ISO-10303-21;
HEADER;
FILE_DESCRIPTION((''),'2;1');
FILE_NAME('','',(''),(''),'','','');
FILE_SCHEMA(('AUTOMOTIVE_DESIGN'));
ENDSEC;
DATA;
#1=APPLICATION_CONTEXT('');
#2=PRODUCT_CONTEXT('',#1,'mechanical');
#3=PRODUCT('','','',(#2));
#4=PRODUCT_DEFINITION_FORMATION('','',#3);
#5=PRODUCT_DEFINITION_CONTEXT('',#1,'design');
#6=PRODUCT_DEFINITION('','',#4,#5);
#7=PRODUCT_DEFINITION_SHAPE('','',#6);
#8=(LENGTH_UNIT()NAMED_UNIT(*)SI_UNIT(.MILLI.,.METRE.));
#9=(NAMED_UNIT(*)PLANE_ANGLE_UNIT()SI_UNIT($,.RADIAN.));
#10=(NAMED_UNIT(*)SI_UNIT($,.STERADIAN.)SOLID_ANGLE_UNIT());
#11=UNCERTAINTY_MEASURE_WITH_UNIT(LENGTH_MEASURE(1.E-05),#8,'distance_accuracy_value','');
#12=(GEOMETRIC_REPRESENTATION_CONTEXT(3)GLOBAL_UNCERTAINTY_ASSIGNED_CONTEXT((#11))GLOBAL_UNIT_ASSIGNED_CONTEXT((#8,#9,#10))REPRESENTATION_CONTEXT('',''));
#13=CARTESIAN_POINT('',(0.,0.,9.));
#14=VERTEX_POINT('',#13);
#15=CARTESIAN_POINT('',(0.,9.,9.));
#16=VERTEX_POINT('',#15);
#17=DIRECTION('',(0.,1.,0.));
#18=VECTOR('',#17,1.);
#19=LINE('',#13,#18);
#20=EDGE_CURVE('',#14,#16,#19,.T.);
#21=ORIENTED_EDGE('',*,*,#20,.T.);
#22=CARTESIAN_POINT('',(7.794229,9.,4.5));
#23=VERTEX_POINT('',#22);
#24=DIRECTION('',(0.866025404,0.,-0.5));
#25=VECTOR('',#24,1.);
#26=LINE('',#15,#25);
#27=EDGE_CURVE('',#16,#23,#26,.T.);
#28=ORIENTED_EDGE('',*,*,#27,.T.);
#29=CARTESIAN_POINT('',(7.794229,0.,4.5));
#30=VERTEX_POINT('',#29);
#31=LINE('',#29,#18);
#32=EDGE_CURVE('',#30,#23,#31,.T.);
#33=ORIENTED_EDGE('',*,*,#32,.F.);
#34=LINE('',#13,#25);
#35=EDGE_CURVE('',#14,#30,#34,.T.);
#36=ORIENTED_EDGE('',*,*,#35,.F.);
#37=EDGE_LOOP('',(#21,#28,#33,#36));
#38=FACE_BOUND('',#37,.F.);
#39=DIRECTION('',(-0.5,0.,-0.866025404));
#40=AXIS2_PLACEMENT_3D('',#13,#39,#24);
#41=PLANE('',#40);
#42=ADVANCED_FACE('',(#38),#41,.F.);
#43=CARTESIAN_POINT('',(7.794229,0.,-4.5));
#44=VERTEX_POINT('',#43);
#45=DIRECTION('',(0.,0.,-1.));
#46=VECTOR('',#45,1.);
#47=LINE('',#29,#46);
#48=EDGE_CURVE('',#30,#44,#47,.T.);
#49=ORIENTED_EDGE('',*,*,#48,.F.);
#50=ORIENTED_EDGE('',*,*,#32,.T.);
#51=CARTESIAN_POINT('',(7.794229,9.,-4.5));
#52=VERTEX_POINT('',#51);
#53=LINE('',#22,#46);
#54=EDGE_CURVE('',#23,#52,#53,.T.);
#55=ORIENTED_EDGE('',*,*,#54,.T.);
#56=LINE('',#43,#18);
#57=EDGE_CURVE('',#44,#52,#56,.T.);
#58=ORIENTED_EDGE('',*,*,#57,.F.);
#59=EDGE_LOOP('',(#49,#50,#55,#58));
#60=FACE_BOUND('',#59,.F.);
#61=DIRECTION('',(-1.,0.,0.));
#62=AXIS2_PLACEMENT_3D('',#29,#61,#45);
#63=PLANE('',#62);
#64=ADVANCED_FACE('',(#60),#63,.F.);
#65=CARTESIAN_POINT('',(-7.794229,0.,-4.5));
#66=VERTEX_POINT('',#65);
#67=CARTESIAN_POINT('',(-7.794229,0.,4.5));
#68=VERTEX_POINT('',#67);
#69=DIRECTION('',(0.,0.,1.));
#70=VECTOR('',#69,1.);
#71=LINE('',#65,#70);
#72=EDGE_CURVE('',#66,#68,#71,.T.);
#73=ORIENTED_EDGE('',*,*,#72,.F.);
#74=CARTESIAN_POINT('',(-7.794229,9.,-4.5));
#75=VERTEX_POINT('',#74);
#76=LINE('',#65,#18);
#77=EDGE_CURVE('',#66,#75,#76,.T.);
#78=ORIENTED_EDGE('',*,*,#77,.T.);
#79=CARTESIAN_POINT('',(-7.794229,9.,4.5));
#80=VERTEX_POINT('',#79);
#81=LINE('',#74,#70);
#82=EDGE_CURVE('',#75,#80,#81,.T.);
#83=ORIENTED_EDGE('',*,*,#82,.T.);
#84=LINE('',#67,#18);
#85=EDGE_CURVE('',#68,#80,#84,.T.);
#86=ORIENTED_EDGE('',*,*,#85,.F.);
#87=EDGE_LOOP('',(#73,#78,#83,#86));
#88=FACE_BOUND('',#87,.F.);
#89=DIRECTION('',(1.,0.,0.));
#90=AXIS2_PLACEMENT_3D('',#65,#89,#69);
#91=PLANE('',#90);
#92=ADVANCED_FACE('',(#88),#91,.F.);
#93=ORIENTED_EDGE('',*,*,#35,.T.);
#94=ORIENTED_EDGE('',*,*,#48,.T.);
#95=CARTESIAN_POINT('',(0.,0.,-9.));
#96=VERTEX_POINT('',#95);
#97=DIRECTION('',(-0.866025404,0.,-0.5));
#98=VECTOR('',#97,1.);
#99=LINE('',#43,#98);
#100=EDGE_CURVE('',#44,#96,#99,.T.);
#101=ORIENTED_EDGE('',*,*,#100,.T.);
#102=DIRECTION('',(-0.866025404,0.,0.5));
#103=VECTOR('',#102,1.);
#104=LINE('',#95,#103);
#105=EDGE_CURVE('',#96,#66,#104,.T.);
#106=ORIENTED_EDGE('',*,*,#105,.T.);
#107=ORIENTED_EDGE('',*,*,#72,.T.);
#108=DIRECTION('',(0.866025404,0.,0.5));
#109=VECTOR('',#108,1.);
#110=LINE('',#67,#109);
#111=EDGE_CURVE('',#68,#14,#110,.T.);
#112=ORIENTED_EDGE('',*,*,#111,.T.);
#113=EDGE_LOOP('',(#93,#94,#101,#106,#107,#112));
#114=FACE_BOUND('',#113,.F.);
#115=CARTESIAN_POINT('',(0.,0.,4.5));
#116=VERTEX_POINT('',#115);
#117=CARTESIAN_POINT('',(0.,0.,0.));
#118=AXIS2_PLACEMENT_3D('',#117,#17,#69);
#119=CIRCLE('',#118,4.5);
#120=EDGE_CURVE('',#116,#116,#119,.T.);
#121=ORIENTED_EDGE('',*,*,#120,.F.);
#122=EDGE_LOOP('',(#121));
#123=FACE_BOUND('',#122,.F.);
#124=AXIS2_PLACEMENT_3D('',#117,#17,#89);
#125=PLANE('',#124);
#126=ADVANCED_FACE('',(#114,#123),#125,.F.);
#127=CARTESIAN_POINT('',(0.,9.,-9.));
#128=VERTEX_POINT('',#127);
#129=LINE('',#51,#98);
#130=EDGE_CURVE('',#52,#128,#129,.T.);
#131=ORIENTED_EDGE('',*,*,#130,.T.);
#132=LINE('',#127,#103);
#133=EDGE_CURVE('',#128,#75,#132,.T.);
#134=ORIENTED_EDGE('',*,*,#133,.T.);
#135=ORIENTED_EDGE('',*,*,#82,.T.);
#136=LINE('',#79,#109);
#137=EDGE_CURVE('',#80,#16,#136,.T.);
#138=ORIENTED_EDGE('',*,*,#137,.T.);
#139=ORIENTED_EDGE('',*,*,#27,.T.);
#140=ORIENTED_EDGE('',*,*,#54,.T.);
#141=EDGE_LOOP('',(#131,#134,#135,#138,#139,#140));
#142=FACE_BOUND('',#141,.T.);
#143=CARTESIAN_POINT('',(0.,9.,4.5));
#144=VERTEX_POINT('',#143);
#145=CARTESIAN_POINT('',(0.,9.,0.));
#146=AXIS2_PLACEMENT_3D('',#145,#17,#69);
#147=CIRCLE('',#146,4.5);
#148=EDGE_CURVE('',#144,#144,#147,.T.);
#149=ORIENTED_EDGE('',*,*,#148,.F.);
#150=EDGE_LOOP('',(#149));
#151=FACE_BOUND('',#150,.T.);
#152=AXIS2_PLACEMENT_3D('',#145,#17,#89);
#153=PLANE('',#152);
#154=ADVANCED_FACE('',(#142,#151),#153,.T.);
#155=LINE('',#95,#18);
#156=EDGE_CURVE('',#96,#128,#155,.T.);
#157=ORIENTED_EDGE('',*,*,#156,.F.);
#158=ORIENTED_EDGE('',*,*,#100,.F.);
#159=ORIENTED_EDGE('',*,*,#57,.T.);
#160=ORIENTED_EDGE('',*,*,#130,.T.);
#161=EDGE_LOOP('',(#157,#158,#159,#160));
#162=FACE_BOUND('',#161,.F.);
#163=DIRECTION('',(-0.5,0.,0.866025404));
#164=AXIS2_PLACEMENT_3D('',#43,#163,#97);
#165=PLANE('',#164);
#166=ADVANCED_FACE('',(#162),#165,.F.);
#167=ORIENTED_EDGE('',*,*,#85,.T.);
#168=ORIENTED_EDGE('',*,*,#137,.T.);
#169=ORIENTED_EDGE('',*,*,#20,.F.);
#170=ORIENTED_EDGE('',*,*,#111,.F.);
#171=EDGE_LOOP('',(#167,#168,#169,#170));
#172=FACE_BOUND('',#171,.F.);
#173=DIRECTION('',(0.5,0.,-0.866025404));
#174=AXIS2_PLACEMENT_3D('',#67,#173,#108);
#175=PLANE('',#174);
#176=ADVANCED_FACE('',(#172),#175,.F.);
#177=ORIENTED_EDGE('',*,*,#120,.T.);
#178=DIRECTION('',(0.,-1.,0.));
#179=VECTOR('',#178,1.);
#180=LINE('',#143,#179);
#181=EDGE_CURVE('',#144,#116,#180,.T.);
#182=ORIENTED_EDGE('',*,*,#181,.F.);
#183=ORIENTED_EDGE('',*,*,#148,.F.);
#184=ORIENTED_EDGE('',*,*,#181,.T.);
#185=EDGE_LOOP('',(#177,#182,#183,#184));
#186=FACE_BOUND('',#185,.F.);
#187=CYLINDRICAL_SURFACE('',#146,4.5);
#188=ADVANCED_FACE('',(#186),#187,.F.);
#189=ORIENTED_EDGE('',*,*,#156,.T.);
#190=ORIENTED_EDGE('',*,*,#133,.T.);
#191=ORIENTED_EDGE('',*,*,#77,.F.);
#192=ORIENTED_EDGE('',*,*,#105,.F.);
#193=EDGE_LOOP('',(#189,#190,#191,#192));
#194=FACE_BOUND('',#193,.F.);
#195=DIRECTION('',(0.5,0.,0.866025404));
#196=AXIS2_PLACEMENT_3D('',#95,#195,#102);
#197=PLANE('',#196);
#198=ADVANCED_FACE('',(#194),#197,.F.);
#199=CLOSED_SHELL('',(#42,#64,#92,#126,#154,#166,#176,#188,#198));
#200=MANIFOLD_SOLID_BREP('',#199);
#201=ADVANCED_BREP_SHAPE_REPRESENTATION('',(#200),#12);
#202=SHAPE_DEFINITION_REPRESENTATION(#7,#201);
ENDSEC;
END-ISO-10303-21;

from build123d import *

# Parameters (mm, degrees)
BOSS_EXTRUDE1_DEPTH = 9
SKETCH2_R           = 4.5
CUT_EXTRUDE1_DEPTH  = 9


with BuildPart() as part:
    # Sketch1 → Boss-Extrude1 (new body)
    with BuildSketch(Plane(origin=(0, 0, 0), x_dir=(1, 0, 0), z_dir=(0, 1, 0))):
        Polygon((0, 9), (-7.794228634, 4.5), (-7.794228634, -4.5), (0, -9), (7.794228634, -4.5), (7.794228634, 4.5), align=None)
    extrude(amount=BOSS_EXTRUDE1_DEPTH)

    # Sketch2 → Cut-Extrude1 (cut)
    with BuildSketch(Plane(origin=(0, 9, 0), x_dir=(1, 0, 0), z_dir=(0, 1, 0))):
        with Locations(Location((0, 0, 0), (0, 0, 270))):  # turned: the seam where the file's is
            Circle(SKETCH2_R)
    extrude(amount=-CUT_EXTRUDE1_DEPTH, mode=Mode.SUBTRACT)


solid = part.part
